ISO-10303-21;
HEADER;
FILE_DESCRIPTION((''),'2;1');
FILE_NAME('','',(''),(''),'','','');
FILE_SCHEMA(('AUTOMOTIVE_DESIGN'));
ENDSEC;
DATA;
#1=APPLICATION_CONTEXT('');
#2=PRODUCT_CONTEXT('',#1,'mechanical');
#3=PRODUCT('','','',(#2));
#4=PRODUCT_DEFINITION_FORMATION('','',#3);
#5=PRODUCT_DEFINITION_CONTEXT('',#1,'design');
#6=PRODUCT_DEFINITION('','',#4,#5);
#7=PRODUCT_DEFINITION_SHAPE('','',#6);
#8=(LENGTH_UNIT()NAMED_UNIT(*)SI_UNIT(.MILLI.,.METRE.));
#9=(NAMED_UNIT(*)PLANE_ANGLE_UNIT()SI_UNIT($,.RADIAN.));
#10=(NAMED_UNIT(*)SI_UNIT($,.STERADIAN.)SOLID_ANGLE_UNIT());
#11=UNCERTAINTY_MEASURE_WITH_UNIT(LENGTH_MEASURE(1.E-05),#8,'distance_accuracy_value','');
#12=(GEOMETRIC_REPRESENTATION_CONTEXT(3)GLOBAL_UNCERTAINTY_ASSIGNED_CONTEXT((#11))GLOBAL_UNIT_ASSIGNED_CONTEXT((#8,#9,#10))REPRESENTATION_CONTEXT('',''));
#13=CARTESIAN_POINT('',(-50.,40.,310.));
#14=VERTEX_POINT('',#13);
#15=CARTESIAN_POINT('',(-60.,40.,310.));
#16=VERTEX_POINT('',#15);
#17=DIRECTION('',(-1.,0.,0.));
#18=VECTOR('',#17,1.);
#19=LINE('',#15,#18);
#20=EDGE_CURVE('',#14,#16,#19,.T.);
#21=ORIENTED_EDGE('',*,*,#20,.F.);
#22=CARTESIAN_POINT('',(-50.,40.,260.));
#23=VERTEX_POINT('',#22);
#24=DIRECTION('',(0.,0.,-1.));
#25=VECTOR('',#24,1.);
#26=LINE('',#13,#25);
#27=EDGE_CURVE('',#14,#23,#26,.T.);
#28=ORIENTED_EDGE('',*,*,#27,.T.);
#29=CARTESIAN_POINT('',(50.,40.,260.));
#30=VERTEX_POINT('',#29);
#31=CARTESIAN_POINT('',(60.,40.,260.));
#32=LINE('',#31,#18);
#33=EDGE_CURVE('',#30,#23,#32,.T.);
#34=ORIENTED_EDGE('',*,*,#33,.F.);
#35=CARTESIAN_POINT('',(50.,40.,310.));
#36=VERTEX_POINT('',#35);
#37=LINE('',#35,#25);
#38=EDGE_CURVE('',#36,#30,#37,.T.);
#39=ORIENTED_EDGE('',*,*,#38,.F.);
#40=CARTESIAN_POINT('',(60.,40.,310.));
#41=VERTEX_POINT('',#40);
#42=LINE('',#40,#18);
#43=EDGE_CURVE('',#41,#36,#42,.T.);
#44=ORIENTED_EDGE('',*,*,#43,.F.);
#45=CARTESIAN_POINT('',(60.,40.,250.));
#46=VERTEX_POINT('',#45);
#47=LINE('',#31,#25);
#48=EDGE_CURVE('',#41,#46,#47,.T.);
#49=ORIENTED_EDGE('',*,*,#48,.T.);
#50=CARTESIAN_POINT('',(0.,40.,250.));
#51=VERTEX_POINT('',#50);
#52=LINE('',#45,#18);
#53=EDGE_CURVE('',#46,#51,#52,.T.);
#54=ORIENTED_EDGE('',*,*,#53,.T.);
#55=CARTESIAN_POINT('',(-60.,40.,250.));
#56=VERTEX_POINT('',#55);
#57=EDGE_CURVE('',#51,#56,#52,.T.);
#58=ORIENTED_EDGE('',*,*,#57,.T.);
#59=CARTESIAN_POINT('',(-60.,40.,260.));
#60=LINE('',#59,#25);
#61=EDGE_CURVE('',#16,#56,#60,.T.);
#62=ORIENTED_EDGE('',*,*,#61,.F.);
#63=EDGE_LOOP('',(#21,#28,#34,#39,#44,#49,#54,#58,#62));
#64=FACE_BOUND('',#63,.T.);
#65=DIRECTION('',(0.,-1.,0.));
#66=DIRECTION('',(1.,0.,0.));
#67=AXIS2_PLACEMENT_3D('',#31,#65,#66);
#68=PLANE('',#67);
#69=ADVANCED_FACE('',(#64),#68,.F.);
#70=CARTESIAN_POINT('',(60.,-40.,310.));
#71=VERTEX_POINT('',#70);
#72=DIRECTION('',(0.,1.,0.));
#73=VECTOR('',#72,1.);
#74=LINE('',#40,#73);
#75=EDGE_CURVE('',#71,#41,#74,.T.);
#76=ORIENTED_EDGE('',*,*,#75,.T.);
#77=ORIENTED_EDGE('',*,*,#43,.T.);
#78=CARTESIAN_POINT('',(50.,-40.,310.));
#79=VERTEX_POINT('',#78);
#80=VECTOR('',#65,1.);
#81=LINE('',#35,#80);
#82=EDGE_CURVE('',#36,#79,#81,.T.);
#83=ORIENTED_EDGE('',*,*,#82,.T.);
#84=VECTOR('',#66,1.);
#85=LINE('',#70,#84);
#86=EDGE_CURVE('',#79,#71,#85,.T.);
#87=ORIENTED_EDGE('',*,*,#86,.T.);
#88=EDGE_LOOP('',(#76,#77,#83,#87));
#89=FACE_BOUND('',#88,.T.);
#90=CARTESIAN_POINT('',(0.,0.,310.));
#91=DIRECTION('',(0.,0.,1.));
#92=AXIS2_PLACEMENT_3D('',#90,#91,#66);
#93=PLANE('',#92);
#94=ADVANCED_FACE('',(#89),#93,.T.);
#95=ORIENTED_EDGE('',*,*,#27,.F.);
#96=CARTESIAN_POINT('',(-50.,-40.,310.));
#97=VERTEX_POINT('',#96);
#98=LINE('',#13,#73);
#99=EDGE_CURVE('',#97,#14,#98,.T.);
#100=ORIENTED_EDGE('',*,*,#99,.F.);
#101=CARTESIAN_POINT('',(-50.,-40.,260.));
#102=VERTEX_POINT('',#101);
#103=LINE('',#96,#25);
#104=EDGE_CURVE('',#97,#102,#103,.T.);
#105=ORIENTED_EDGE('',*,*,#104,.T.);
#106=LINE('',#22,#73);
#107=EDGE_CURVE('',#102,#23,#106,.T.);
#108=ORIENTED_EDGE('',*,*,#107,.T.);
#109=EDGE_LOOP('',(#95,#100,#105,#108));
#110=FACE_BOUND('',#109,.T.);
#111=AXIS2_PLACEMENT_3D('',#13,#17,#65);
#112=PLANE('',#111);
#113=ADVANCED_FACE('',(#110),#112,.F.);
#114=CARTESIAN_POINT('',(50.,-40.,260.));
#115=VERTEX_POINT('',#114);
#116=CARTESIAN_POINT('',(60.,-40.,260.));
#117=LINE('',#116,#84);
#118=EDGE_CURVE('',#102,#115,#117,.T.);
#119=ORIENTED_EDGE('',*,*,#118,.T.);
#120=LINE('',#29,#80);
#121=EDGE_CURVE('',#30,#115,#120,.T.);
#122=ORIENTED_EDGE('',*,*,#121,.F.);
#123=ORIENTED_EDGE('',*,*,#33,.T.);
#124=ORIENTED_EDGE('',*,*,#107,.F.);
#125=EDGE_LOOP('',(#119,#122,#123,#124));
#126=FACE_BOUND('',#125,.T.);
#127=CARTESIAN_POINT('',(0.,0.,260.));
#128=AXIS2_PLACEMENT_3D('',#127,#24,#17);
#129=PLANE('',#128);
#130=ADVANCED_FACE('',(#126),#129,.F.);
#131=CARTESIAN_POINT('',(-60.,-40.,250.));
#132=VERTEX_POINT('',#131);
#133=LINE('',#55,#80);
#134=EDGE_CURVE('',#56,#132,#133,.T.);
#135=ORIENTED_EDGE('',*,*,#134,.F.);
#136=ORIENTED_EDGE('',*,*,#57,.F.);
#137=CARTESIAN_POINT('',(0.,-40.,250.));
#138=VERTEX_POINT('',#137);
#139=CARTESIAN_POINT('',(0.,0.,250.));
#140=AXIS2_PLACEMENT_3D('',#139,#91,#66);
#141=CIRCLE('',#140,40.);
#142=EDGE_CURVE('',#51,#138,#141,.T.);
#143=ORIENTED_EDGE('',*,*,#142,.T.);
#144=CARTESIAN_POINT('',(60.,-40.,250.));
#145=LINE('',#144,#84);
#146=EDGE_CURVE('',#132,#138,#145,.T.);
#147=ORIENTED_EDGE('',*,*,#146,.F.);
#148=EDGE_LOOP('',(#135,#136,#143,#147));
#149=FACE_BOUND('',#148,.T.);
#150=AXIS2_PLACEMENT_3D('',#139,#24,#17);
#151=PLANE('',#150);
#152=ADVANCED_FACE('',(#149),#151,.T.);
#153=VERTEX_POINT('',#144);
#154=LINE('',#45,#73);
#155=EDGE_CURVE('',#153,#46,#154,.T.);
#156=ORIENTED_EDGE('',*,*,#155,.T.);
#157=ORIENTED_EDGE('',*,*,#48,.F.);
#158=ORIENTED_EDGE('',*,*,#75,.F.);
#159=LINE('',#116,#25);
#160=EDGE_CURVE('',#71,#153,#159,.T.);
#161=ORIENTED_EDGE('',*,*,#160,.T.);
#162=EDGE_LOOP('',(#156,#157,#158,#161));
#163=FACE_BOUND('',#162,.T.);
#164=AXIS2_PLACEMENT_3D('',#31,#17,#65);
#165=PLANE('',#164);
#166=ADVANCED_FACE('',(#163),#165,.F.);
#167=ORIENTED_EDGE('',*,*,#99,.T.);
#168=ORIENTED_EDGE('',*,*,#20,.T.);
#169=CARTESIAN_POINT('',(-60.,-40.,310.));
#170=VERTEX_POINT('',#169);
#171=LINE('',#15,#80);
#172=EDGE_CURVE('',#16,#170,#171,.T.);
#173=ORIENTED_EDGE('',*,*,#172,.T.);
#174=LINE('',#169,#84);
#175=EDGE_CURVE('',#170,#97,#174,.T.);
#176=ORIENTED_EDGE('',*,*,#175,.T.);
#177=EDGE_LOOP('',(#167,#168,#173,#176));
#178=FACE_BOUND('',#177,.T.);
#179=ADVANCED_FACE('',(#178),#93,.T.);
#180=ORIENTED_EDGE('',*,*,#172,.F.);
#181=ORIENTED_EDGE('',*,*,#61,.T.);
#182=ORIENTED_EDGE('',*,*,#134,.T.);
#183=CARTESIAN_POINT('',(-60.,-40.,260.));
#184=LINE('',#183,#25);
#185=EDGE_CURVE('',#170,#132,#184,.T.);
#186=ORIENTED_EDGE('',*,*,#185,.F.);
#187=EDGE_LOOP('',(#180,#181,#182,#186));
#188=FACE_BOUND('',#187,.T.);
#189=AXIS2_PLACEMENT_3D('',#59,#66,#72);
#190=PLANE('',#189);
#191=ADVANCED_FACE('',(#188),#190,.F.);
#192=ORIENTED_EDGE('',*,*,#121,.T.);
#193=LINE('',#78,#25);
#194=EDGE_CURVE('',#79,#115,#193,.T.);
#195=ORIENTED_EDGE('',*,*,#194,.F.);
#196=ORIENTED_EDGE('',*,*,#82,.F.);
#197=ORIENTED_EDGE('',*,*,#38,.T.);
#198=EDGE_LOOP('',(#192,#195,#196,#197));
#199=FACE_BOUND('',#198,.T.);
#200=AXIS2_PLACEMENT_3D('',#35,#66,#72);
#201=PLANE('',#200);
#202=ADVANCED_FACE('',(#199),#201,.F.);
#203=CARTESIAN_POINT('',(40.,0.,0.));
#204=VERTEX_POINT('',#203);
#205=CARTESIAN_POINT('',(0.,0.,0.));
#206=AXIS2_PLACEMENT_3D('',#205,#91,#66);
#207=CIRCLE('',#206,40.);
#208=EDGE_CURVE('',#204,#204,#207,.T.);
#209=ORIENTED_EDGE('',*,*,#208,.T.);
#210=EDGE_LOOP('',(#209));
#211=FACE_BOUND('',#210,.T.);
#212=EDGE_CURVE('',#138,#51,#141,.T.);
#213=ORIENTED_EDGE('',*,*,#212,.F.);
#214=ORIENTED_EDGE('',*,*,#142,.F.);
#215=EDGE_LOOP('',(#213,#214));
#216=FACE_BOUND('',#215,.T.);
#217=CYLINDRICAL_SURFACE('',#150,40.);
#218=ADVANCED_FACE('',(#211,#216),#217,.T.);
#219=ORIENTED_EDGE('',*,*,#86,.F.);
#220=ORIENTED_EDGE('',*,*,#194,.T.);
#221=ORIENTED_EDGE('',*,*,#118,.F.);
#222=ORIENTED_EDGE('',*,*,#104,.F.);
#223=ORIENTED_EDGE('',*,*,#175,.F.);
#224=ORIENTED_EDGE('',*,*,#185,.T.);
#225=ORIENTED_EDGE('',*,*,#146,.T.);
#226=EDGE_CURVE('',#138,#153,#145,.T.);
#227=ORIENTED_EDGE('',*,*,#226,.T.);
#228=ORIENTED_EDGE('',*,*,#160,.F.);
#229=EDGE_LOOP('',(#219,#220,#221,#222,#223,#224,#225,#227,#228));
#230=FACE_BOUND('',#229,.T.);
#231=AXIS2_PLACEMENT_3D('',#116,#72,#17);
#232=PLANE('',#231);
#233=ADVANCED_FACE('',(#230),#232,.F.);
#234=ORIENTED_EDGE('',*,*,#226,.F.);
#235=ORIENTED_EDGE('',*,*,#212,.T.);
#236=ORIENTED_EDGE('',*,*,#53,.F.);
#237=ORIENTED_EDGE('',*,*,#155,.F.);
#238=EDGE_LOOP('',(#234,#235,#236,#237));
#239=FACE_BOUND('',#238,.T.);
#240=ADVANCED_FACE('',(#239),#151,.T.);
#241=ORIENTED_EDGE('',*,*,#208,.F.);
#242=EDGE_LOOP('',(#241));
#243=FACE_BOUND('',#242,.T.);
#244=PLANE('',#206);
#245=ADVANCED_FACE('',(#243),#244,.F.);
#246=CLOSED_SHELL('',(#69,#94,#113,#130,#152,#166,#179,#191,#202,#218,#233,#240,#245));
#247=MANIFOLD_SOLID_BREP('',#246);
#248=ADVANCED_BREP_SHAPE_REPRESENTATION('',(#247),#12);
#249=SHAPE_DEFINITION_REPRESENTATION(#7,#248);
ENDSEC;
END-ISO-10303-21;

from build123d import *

# Parameters (mm, degrees)
SZKIC1_R                    = 40
DODANIE_WYCI_GNI_CIE1_DEPTH = 250
SZKIC2_W                    = 120
SZKIC2_H                    = 80
DODANIE_WYCI_GNI_CIE2_DEPTH = 10
SZKIC3_W                    = 10
SZKIC3_H                    = 80
DODANIE_WYCI_GNI_CIE3_DEPTH = 50


with BuildPart() as part:
    # Szkic1 → Dodanie-wyciągnięcie1 (new body)
    with BuildSketch(Plane.XY):
        Circle(SZKIC1_R)
    extrude(amount=DODANIE_WYCI_GNI_CIE1_DEPTH)

    # Szkic2 → Dodanie-wyciągnięcie2 (add)
    with BuildSketch(Plane.XY.offset(250)):
        Rectangle(SZKIC2_W, SZKIC2_H)
    extrude(amount=DODANIE_WYCI_GNI_CIE2_DEPTH)

    # Szkic3 → Dodanie-wyciągnięcie3 (add)
    with BuildSketch(Plane.XY.offset(260)):
        with Locations((-55, 0)):
            Rectangle(SZKIC3_W, SZKIC3_H)
        with Locations((55, 0)):
            Rectangle(SZKIC3_W, SZKIC3_H)
    extrude(amount=DODANIE_WYCI_GNI_CIE3_DEPTH)


solid = part.part
